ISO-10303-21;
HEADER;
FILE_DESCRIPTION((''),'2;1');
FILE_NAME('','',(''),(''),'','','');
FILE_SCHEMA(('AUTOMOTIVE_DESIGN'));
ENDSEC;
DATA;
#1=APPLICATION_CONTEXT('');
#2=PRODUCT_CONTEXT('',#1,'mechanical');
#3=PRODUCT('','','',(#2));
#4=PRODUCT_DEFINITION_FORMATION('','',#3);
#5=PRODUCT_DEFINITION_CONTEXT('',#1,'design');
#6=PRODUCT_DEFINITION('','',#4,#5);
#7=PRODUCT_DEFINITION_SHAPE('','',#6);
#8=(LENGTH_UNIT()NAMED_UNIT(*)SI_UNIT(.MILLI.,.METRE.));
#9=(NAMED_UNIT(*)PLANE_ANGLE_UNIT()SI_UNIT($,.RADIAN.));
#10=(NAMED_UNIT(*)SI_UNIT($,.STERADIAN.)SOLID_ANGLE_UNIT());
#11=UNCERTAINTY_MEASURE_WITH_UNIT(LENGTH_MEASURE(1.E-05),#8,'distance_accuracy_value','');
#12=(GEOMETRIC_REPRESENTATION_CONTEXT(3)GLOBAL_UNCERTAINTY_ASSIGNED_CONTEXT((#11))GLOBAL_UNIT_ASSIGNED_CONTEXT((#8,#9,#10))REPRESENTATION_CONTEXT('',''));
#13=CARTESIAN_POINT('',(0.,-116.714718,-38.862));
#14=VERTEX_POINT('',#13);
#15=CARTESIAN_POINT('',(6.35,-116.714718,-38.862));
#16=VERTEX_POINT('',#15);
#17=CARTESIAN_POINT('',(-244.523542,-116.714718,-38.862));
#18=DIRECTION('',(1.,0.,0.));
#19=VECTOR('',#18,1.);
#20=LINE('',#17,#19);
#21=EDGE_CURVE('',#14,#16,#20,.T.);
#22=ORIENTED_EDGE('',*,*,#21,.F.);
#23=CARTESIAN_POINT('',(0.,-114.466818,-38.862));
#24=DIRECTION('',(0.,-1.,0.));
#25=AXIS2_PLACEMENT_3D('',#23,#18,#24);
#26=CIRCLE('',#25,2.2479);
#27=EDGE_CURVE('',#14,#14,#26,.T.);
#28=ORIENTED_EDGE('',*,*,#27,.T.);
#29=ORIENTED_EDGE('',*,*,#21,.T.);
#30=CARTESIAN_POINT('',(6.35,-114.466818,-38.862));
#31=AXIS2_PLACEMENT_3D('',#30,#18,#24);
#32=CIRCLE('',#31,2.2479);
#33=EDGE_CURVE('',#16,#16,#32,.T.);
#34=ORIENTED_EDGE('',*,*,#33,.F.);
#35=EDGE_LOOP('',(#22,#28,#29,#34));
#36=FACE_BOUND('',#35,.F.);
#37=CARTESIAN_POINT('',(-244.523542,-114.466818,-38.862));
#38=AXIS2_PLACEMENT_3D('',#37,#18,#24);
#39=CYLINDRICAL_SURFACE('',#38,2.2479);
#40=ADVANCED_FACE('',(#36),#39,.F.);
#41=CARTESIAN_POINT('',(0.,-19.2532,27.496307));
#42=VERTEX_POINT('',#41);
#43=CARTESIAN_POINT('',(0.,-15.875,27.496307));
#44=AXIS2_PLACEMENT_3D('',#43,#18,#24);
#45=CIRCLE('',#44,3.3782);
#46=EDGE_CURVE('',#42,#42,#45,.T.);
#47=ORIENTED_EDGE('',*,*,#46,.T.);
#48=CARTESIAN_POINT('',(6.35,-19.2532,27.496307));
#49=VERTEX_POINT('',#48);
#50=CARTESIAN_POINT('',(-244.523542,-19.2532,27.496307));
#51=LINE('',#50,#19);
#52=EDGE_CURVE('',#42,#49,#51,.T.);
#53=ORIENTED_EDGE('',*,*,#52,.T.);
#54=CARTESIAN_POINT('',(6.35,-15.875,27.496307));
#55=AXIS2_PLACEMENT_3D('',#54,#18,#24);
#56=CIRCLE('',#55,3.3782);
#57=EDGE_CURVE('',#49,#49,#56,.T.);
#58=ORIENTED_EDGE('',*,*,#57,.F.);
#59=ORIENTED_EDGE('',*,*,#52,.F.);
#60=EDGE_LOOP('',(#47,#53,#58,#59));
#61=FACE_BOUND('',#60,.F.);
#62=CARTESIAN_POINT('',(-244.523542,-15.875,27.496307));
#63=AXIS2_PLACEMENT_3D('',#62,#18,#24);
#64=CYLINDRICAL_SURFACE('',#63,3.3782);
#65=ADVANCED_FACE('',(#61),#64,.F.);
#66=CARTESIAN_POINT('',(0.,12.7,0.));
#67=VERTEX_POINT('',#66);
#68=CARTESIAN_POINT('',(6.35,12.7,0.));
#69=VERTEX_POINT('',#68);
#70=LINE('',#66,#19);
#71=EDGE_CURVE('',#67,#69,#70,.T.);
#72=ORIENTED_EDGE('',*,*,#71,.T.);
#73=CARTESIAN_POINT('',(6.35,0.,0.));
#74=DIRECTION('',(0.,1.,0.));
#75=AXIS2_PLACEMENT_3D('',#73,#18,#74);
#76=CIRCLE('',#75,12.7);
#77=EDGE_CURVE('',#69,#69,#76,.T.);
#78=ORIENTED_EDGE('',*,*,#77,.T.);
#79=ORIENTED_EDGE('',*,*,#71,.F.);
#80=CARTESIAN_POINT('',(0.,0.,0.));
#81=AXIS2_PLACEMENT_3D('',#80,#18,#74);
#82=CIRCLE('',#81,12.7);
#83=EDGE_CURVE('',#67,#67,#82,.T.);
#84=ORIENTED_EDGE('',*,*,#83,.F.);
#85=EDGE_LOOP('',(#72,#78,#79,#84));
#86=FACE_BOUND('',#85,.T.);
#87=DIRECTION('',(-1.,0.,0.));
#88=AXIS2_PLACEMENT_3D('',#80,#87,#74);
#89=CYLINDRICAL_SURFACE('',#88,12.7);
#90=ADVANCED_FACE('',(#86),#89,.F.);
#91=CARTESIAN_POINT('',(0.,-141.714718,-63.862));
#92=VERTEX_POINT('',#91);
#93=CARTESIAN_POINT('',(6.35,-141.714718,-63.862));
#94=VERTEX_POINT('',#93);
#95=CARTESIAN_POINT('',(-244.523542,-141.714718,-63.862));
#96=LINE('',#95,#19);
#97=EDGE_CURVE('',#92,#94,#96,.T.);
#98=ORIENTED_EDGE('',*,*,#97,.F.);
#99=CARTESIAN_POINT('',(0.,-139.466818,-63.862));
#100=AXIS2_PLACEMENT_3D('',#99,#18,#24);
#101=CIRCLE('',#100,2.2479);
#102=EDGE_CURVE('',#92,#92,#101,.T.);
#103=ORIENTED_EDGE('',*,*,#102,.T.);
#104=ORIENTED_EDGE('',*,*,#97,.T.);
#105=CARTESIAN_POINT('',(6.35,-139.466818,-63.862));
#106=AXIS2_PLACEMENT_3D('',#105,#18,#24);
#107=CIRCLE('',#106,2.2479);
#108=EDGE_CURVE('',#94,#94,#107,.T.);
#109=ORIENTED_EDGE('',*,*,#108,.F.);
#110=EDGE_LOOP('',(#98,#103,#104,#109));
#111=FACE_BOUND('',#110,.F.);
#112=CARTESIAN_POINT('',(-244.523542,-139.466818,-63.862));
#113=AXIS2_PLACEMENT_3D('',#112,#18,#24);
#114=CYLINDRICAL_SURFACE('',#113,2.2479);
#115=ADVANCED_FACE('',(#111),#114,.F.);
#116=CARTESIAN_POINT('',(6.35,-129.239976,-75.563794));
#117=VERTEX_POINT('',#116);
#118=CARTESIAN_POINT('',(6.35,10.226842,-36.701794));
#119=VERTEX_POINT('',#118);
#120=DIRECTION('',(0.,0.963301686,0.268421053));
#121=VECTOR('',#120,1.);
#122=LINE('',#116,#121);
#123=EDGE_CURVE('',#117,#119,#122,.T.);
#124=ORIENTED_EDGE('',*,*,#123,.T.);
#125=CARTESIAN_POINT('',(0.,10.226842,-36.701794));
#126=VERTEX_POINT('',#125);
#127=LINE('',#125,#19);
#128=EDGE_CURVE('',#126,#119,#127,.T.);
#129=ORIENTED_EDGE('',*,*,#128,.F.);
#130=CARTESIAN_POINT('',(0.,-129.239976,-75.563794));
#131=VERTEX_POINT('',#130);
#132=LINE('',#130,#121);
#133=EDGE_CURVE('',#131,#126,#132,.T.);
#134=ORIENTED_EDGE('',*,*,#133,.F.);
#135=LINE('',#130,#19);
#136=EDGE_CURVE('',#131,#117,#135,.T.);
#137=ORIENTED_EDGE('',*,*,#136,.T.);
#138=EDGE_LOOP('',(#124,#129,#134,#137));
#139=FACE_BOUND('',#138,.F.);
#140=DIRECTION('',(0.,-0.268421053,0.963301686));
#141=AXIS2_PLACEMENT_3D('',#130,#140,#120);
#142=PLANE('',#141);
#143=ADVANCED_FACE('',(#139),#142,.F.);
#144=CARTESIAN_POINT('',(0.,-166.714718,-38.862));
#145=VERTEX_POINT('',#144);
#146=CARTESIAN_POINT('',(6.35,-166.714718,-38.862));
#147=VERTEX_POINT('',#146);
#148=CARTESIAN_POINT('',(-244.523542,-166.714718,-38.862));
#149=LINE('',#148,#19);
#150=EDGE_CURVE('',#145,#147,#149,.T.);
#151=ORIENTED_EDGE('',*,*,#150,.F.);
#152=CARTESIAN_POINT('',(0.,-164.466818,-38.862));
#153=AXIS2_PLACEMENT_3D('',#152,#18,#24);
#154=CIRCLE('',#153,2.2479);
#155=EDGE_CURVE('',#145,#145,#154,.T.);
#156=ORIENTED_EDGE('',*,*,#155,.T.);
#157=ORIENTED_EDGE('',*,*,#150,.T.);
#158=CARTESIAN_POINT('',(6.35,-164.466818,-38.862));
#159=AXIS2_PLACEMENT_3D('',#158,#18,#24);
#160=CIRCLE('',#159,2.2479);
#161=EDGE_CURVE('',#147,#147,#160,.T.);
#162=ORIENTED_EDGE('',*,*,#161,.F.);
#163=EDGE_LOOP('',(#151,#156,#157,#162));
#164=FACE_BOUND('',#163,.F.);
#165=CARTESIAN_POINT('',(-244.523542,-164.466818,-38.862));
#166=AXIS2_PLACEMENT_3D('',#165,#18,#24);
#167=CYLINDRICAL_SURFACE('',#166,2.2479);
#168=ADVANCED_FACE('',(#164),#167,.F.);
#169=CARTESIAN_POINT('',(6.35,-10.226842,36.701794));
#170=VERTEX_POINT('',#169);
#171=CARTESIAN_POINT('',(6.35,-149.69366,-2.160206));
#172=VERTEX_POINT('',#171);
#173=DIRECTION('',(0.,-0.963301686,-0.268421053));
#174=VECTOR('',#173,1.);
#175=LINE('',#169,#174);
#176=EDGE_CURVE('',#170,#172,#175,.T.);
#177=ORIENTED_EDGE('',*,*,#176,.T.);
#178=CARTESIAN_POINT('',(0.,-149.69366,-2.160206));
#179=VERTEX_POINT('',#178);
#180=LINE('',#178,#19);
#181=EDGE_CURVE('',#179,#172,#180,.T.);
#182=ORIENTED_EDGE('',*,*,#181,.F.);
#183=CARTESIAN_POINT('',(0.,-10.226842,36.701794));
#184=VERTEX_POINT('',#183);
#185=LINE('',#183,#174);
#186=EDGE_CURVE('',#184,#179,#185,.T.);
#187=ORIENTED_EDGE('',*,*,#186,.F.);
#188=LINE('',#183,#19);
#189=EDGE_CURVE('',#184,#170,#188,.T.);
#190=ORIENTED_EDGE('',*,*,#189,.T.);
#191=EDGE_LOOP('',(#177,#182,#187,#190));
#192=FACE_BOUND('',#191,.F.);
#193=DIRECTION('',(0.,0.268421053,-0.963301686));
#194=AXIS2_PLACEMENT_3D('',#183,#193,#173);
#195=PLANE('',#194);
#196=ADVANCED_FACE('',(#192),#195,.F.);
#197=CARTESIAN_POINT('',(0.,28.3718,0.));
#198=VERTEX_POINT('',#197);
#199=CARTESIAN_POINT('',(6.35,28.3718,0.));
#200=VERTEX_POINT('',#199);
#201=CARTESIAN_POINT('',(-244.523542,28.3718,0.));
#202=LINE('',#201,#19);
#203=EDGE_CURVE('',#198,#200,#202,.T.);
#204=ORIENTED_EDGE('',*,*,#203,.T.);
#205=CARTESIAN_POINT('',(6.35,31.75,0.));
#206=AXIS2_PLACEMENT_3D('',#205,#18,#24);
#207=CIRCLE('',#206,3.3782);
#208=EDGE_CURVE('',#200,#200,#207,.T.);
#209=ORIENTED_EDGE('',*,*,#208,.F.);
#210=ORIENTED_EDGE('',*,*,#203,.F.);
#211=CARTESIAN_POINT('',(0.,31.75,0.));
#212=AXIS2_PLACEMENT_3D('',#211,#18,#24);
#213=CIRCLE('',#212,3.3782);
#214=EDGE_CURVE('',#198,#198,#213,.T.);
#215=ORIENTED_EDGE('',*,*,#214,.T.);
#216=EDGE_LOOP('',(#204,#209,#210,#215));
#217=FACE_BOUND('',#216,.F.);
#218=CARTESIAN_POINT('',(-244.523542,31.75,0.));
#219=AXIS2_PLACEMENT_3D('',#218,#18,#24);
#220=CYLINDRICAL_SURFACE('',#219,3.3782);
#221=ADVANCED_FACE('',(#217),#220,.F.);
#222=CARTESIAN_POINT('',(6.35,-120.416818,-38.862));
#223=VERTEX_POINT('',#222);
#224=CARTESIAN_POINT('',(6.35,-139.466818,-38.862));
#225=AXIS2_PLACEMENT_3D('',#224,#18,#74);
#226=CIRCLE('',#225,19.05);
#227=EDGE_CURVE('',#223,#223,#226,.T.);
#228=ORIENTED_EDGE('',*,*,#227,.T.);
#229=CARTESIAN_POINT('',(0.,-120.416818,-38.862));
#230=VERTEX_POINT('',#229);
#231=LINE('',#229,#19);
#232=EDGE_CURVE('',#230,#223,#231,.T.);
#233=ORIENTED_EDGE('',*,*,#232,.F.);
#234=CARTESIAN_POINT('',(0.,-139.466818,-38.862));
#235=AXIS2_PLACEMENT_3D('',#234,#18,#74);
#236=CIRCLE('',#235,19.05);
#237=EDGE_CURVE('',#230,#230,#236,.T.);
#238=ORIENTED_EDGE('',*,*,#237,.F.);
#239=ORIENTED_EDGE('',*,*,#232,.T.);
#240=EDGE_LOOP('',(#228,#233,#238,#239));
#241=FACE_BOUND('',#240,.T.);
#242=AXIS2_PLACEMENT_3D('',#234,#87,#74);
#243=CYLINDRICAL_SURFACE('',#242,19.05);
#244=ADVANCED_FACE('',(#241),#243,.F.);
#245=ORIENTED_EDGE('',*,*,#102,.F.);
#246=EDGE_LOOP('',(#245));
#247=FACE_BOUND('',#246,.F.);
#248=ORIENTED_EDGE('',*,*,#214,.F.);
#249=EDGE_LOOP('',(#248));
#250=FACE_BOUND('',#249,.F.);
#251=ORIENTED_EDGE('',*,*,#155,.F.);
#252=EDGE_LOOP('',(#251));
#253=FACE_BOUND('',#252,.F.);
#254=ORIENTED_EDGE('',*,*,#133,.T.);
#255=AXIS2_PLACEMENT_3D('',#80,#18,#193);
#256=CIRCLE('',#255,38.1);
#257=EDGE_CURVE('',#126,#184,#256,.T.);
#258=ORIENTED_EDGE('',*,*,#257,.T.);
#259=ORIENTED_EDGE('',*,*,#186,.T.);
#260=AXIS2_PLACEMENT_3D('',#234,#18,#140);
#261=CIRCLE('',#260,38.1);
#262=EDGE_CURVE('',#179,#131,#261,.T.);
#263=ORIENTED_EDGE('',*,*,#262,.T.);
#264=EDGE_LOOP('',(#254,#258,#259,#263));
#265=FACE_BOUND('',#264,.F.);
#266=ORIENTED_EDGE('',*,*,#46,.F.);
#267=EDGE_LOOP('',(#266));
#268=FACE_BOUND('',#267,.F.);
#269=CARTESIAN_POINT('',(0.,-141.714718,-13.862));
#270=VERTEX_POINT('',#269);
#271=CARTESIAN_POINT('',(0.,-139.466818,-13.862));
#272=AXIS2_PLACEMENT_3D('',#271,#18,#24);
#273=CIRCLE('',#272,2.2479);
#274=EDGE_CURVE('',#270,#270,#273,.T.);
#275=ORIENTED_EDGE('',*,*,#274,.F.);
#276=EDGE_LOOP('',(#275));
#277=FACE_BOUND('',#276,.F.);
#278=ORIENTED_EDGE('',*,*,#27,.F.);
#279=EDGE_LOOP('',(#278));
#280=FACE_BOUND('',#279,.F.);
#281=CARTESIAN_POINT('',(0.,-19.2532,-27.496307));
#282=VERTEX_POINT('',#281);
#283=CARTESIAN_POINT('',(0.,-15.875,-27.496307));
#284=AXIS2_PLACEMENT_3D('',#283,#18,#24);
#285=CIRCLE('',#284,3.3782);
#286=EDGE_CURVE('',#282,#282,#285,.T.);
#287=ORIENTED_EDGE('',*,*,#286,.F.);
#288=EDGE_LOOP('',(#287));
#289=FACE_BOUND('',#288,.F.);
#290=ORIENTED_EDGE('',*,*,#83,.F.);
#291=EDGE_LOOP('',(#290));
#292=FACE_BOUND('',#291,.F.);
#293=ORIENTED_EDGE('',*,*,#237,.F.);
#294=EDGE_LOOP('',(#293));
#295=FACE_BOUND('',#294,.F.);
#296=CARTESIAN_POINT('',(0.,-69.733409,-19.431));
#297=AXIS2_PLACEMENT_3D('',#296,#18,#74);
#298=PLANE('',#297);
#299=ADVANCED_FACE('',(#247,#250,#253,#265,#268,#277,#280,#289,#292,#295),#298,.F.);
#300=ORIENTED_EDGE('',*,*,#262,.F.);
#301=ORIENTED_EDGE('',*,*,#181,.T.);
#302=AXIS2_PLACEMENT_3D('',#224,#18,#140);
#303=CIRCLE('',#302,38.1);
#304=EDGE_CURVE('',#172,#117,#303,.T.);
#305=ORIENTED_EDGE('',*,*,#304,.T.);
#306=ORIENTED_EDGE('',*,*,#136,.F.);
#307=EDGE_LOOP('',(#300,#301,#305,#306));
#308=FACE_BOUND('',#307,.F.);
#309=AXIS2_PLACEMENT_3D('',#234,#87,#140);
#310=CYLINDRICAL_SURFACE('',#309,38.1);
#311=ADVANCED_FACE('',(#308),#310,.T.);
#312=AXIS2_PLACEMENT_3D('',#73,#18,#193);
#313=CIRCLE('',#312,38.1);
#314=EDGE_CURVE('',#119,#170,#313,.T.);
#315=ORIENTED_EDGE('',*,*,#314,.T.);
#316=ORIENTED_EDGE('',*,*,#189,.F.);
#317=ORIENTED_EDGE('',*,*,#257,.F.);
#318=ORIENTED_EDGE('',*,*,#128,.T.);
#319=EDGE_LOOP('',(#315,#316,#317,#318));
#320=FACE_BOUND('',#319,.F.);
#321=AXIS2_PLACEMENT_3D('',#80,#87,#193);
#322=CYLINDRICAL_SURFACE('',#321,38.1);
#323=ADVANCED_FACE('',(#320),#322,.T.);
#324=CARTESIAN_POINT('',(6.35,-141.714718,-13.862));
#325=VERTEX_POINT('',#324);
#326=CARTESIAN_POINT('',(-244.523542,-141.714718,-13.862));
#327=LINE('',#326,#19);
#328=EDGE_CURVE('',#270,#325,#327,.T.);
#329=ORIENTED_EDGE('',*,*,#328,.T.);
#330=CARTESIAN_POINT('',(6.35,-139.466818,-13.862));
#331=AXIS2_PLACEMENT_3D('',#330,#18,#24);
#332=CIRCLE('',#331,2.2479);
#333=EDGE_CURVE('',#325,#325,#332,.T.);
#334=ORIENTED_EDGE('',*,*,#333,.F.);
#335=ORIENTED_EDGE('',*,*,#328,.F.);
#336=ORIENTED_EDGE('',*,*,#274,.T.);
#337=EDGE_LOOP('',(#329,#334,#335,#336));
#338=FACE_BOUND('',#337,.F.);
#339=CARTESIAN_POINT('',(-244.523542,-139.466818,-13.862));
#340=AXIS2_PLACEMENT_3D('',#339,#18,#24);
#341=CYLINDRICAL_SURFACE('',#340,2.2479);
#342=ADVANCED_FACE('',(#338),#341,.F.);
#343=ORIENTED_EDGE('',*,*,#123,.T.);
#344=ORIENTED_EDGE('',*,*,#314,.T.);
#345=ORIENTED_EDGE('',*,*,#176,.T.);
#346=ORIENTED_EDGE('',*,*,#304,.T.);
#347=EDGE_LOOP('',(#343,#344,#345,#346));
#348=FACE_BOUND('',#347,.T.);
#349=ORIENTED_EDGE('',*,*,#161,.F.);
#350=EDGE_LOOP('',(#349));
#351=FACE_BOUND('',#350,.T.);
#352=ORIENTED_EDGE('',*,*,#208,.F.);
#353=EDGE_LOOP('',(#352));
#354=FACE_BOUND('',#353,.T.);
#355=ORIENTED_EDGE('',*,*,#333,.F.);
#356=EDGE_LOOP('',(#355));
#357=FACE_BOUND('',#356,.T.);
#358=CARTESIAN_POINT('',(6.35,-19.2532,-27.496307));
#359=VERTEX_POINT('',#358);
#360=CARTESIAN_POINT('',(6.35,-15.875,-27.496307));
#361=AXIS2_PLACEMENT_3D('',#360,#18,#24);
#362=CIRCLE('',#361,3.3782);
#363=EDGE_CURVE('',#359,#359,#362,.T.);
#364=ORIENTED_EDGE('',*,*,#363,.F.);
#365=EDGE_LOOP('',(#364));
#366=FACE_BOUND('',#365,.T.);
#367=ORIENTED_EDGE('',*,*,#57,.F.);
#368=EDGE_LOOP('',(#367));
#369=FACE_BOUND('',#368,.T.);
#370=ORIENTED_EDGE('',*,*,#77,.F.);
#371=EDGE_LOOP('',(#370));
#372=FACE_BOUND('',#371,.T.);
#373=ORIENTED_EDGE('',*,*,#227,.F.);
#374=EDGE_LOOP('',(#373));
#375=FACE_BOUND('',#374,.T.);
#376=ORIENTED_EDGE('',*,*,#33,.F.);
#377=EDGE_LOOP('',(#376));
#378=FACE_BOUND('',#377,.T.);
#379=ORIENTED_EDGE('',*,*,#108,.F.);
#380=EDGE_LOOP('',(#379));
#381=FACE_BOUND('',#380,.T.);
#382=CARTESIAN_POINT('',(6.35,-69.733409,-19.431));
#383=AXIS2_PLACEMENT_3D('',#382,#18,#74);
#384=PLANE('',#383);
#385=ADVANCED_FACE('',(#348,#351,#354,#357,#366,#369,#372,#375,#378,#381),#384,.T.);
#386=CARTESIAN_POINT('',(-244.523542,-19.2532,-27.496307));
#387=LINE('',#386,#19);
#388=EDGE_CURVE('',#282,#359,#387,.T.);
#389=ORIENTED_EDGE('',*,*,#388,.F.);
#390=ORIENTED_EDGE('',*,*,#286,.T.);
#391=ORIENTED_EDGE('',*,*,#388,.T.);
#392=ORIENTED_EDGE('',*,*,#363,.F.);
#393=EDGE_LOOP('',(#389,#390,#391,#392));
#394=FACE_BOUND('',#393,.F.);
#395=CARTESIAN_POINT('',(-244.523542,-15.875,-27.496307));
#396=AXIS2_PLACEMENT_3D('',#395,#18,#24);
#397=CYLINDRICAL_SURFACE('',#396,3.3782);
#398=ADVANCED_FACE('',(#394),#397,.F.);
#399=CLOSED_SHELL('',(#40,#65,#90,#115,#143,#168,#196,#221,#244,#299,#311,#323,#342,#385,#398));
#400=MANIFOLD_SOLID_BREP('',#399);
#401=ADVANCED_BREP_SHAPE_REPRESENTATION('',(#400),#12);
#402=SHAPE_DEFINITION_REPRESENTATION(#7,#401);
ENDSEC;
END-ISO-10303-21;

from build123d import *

# Parameters (mm, degrees)
F0_R     = 19.05
F0_R_2   = 12.7
F1_DEPTH = 6.35
F2_D     = 4.4958
F3_D     = 6.7564


with BuildPart() as f1:
    # F0 (on Right) → F1 (new body)
    with BuildSketch(Plane.YZ):
        with BuildLine():
            Line((-129.2399760129, -75.5637942416), (10.2268421053, -36.7017942416))
            ThreePointArc((10.2268421053, -36.7017942416), (36.7017942416, 10.2268421053), (-10.2268421053, 36.7017942416))
            Line((-10.2268421053, 36.7017942416), (-149.6936602234, -2.1602057584))
            ThreePointArc((-149.6936602234, -2.1602057584), (-176.1686123598, -49.0888421053), (-129.2399760129, -75.5637942416))
        make_face()
        with Locations((-139.4668181181, -38.862)):
            Circle(F0_R, mode=Mode.SUBTRACT)
        Circle(F0_R_2, mode=Mode.SUBTRACT)
    extrude(amount=F1_DEPTH)

    # F2 (through all)
    with Locations(Plane(origin=(0, 0, 0), x_dir=(0, 1, 0), z_dir=(-1, 0, 0))):
        with Locations((-139.4668181181, 13.862), (-164.4668181181, 38.862), (-114.4668181181, 38.862), (-139.4668181181, 63.862)):
            Hole(F2_D / 2)

    # F3 (through all)
    with Locations(Plane(origin=(0, 0, 0), x_dir=(0, 1, 0), z_dir=(-1, 0, 0))):
        with Locations((-15.875, -27.4963065702), (-15.875, 27.4963065702), (31.75, 0)):
            Hole(F3_D / 2)


solid = f1.part
